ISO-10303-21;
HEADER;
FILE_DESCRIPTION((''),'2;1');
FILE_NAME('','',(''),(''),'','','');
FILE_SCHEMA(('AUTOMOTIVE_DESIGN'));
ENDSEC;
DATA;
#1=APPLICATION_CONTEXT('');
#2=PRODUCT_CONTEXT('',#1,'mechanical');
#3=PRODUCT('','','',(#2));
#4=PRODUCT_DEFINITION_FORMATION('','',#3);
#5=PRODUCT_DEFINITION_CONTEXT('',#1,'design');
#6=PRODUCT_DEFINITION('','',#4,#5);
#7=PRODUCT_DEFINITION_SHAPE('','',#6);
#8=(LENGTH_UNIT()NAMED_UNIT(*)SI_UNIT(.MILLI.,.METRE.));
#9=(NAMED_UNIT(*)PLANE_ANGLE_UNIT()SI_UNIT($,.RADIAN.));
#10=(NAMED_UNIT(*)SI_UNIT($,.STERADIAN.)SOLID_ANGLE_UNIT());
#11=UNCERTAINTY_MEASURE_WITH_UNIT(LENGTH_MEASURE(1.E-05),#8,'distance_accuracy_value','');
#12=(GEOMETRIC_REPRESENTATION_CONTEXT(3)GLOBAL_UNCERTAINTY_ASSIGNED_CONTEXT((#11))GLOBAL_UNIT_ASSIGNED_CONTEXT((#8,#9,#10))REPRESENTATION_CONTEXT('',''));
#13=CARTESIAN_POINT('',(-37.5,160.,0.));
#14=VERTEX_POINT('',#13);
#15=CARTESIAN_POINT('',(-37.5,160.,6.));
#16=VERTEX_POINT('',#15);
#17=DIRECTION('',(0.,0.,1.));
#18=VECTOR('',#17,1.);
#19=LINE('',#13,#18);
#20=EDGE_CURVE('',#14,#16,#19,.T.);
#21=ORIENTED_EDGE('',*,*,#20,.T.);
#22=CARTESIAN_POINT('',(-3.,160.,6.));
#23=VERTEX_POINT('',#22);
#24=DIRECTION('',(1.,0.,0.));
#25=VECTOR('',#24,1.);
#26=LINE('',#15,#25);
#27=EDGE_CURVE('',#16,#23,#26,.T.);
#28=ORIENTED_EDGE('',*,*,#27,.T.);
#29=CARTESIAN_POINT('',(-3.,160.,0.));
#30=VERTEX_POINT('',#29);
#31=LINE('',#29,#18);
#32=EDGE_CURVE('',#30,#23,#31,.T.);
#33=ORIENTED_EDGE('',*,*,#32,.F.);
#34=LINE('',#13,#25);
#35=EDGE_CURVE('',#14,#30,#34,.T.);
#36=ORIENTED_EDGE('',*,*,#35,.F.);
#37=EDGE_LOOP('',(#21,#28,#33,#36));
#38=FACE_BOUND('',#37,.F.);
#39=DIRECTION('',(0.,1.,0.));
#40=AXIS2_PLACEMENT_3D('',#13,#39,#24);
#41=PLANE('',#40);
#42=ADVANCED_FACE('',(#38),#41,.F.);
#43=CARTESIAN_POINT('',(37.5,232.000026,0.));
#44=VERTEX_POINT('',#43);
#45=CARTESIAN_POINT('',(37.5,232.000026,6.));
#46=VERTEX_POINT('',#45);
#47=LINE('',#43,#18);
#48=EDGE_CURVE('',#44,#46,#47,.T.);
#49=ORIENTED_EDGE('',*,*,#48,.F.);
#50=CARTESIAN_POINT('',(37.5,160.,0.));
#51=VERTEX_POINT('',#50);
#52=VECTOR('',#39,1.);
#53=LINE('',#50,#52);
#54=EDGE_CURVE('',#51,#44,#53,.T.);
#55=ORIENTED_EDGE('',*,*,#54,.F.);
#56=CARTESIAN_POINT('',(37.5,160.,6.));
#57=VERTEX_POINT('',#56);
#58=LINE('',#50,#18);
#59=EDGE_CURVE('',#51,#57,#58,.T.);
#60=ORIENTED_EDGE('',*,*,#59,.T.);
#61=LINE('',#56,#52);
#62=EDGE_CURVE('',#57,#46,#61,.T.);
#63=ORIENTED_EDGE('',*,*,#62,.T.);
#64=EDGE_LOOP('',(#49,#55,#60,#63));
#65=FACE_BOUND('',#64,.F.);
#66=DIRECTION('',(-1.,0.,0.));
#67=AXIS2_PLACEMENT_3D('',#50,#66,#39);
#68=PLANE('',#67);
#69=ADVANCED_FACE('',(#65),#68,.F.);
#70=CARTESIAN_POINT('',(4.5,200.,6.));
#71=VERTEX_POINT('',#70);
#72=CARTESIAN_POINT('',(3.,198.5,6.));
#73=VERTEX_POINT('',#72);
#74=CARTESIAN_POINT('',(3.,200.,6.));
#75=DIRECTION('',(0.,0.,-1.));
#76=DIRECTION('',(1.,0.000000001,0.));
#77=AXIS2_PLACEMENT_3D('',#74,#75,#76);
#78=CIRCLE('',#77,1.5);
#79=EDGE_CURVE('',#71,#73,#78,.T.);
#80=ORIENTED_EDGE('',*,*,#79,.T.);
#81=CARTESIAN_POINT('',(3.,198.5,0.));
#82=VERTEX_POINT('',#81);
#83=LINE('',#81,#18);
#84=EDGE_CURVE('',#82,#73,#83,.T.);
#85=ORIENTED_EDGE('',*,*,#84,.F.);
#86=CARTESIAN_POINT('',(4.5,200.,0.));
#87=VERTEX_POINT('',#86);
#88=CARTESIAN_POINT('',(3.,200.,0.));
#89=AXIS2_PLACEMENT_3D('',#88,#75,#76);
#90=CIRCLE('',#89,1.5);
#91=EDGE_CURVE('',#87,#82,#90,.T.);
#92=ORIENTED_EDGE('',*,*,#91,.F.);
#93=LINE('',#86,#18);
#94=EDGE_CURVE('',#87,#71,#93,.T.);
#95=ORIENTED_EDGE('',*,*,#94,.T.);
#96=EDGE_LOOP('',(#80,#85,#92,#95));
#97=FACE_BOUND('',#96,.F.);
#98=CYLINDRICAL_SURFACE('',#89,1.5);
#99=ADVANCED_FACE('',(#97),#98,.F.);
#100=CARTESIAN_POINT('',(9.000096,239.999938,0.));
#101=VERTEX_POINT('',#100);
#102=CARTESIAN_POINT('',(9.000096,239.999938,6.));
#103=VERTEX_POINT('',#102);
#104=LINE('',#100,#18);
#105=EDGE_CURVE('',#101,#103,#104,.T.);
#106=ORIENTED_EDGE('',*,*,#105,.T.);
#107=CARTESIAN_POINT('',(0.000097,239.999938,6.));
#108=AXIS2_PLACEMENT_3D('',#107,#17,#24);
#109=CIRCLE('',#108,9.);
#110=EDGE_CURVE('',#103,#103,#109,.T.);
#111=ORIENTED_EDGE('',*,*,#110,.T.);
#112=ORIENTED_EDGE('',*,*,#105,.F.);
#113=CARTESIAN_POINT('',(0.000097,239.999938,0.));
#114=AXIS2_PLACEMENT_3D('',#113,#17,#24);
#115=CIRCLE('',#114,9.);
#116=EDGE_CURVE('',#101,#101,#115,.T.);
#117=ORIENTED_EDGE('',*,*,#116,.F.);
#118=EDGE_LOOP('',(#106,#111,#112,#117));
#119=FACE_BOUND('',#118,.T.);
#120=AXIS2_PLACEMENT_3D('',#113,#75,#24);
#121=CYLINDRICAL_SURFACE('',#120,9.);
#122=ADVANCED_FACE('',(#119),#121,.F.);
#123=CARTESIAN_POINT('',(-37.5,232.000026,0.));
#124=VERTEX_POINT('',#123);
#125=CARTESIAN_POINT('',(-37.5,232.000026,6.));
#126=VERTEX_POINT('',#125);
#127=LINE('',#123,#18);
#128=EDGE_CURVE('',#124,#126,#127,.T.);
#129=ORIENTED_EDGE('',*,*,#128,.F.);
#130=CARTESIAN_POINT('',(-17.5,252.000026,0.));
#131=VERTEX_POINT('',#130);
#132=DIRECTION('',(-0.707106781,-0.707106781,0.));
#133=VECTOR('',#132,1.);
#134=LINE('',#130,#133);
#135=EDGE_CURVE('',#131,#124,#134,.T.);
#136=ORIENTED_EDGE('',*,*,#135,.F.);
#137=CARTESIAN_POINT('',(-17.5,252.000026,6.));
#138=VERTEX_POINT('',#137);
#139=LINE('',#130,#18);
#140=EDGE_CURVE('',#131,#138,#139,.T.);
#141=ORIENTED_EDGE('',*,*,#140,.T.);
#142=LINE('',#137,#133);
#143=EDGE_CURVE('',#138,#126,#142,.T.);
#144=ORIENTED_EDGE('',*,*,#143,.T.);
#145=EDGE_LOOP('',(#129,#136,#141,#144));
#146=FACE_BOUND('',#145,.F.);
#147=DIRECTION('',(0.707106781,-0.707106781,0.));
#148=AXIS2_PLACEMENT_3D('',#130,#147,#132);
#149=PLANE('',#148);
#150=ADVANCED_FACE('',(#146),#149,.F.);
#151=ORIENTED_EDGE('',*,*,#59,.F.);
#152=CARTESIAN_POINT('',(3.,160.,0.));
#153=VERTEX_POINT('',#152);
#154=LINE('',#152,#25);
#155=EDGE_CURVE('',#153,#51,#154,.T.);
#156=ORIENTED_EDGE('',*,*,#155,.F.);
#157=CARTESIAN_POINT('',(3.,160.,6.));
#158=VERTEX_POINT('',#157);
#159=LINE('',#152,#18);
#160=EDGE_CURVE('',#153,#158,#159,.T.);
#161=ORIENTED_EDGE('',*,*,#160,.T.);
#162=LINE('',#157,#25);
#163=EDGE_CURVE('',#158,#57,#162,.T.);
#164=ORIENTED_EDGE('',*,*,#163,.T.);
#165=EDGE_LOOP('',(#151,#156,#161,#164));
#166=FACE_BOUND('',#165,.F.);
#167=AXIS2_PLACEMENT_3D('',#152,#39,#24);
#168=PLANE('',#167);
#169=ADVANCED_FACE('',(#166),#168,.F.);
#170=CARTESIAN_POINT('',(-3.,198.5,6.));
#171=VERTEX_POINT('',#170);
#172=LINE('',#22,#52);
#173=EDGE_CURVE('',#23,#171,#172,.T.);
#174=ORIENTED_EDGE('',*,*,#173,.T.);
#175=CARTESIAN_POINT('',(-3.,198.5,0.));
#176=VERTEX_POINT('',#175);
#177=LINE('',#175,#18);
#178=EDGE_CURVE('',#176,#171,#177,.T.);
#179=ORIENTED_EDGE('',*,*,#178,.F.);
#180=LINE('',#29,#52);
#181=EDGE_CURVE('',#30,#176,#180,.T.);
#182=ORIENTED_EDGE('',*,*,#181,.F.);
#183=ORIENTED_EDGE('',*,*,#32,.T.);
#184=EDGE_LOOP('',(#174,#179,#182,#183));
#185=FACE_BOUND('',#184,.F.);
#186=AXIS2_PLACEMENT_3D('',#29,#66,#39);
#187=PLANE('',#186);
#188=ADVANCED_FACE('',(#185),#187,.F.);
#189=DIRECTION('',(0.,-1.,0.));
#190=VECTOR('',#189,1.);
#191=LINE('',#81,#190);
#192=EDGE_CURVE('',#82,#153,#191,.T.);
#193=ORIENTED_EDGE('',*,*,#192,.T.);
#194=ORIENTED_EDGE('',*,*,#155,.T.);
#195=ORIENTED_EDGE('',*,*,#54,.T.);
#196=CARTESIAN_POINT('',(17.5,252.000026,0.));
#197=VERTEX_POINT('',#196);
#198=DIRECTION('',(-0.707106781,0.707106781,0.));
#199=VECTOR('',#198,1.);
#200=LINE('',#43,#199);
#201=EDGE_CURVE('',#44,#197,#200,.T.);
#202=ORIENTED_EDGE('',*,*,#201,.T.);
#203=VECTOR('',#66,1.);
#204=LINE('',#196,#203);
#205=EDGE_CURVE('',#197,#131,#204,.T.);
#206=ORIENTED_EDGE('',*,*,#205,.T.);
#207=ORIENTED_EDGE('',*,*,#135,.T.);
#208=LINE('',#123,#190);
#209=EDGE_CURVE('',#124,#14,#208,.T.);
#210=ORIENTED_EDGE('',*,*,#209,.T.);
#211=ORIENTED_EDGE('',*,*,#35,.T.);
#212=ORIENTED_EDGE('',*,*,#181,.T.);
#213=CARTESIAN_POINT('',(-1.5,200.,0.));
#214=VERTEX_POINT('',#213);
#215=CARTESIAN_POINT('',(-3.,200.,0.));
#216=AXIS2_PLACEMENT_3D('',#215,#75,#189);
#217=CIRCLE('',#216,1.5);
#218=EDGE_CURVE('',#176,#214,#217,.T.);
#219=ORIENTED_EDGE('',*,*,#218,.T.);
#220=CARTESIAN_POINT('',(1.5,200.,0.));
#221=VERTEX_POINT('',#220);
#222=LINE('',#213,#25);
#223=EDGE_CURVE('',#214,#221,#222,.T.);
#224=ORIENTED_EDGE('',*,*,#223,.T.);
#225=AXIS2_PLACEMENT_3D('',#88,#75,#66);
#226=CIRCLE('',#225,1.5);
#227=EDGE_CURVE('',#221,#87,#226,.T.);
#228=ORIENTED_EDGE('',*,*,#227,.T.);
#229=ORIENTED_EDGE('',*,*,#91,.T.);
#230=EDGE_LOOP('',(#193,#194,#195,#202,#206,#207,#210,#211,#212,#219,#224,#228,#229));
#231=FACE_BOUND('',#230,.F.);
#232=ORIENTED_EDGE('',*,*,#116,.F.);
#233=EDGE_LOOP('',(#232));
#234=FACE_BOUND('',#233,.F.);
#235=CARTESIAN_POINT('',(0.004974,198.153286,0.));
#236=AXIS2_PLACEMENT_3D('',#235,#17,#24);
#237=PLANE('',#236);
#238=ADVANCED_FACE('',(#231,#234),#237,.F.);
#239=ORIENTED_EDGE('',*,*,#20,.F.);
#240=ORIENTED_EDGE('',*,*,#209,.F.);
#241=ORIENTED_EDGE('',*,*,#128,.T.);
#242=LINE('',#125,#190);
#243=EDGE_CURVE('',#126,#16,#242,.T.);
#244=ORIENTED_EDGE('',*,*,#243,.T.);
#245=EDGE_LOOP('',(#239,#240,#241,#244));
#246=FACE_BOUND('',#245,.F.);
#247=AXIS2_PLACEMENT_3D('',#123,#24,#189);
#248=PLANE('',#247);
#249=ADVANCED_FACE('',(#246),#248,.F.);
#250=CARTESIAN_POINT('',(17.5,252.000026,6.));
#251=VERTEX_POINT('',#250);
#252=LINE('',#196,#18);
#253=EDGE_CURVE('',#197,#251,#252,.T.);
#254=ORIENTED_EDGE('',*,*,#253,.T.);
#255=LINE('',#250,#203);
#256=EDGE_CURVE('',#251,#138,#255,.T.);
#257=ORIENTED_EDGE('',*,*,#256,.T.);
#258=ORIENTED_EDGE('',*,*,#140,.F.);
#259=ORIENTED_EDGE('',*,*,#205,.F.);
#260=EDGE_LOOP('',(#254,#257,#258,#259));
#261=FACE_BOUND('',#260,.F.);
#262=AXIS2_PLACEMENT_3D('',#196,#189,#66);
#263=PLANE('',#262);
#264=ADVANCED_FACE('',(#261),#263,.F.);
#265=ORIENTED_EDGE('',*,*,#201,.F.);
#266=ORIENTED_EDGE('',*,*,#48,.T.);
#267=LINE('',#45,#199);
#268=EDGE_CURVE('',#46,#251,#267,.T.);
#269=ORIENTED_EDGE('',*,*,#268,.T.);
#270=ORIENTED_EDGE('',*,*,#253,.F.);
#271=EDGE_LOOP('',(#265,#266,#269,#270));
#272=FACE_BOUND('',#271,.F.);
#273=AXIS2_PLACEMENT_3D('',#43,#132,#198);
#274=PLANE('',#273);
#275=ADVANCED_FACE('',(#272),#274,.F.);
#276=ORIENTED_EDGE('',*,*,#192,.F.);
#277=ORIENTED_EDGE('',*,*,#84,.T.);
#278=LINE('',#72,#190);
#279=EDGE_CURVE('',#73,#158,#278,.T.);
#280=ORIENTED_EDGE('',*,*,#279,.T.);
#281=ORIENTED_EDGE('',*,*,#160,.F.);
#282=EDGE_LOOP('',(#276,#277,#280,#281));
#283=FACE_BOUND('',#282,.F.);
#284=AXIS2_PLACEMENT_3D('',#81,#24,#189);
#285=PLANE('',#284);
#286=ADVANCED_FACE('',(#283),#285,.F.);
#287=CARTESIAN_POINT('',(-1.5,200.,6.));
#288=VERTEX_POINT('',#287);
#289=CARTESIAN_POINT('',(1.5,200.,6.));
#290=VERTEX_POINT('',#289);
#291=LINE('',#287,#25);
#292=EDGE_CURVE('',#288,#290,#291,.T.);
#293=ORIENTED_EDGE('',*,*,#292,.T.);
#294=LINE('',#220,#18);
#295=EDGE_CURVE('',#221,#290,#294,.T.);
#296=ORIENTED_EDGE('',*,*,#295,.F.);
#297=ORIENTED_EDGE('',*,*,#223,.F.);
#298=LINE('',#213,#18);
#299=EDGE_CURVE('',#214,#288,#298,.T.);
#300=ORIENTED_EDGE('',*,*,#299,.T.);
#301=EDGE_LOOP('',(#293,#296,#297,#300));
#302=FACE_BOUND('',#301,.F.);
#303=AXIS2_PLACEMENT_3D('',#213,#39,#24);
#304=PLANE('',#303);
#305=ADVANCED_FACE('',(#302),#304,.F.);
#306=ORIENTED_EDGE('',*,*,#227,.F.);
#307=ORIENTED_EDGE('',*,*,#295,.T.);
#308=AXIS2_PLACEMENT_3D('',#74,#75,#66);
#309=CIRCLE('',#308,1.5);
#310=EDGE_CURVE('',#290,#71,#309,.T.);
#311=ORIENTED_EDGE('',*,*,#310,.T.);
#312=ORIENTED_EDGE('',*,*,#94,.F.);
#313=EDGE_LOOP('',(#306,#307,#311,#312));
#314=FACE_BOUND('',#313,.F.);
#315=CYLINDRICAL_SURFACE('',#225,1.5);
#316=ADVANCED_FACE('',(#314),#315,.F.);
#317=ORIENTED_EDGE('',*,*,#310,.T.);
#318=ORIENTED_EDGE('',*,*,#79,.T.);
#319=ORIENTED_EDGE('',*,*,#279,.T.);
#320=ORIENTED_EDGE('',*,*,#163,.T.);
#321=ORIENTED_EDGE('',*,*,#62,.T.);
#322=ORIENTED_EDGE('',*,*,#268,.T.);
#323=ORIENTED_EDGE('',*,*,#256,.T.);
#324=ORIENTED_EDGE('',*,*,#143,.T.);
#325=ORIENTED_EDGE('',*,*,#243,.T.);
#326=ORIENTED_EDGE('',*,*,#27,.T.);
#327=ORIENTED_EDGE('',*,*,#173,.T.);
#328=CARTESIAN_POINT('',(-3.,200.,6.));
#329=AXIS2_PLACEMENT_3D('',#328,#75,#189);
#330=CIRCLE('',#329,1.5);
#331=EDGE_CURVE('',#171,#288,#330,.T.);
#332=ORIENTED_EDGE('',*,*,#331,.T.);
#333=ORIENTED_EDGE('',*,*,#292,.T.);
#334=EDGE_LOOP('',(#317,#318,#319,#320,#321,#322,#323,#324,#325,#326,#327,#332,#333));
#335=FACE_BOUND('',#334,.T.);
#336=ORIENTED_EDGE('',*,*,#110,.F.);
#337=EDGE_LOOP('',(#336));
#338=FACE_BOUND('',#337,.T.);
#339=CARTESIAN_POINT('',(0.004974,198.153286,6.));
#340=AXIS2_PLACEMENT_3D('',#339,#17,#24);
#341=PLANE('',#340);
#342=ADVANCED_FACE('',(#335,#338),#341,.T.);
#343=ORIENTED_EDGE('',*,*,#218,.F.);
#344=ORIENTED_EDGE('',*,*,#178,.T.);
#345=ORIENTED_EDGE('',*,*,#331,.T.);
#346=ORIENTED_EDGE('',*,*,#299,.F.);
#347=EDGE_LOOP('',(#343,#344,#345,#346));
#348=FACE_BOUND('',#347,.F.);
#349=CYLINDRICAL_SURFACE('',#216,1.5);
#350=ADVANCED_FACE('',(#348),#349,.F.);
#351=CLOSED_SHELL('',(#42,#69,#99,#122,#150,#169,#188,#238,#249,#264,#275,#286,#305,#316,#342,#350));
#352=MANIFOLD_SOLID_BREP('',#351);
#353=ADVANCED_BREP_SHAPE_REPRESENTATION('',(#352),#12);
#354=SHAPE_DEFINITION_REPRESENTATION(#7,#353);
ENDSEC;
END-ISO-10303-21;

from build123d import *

# Parameters (mm, degrees)
SKETCH1_R           = 9
BOSS_EXTRUDE1_DEPTH = 6


with BuildPart() as part:
    # Sketch1 → Boss-Extrude1 (new body)
    with BuildSketch(Plane.XY):
        with BuildLine():
            Line((3, 160), (37.5, 160))
            Line((37.5, 160), (37.5, 232.000025877))
            Line((37.5, 232.000025877), (17.5, 252.000025877))
            Line((17.5, 252.000025877), (-17.5, 252.000025877))
            Line((-17.5, 252.000025877), (-37.5, 232.000025877))
            Line((-37.5, 232.000025877), (-37.5, 160))
            Line((-37.5, 160), (-3, 160))
            Line((-3, 160), (-3, 198.5))
            ThreePointArc((-3, 198.5), (-4.060660172, 201.060660172), (-1.5, 200))
            Line((-1.5, 200), (1.5, 200))
            ThreePointArc((1.5, 200), (3, 201.5), (4.5, 200))
            ThreePointArc((4.5, 200), (4.060660172, 198.939339828), (3, 198.5))
            Line((3, 198.5), (3, 160))
        make_face()
        with Locations((9.65e-05, 239.99993797)):
            Circle(SKETCH1_R, mode=Mode.SUBTRACT)
    extrude(amount=BOSS_EXTRUDE1_DEPTH)


solid = part.part
